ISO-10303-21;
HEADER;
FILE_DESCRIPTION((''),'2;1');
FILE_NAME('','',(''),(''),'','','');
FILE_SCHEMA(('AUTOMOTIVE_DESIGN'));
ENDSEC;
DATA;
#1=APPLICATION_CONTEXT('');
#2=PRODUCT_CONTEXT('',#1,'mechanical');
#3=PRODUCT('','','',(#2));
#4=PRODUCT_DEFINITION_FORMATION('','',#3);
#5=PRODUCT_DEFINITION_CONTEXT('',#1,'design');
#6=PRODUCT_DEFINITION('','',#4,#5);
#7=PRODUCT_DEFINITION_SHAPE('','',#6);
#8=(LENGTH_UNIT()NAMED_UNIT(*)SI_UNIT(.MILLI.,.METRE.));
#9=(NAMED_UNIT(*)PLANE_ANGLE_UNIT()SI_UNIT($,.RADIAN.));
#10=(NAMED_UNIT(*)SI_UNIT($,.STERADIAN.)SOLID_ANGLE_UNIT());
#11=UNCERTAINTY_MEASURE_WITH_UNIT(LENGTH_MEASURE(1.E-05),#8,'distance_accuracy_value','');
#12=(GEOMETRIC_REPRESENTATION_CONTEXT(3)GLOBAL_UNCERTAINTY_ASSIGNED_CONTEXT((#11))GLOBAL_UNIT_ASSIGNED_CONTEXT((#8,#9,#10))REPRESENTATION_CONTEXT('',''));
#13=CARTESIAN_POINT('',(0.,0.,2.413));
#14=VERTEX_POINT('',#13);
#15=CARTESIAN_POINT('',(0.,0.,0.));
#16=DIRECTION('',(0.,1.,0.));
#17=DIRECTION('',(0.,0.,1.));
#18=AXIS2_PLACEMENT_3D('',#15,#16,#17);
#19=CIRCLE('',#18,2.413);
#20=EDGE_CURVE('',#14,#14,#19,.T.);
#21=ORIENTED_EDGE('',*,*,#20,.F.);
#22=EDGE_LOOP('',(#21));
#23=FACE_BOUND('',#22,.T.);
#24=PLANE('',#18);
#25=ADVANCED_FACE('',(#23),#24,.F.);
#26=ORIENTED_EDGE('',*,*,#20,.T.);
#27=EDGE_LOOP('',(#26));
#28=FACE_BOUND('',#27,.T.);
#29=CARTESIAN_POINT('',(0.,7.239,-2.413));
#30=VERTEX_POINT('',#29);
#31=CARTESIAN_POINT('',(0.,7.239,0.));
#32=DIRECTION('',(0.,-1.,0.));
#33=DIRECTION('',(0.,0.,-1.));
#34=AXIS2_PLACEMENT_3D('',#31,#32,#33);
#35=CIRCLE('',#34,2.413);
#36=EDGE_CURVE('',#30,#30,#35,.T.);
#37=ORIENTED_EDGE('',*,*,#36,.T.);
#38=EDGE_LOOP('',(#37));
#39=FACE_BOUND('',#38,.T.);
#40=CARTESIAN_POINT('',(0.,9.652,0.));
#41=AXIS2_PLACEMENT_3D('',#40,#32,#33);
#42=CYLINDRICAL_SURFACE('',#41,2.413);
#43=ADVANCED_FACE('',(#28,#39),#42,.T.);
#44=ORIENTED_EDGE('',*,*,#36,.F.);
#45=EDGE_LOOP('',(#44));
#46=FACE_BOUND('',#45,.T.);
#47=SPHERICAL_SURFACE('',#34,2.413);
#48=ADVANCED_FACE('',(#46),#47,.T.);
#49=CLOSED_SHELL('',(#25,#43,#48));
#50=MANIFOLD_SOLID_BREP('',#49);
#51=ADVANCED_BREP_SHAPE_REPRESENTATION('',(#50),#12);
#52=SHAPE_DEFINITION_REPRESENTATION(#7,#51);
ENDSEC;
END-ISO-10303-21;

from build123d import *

# Parameters (mm, degrees)
SKETCH1_R      = 2.413
EXTRUDE1_DEPTH = 9.652
FILLET1_R      = 2.413


with BuildPart() as part:
    # Sketch1 → Extrude1 (new body)
    with BuildSketch(Plane(origin=(0, 0, 0), x_dir=(1, 0, 0), z_dir=(0, 1, 0))):
        with Locations(Location((0, 0, 0), (0, 0, 270))):  # turned: the seam where the file's is
            Circle(SKETCH1_R)
    extrude(amount=EXTRUDE1_DEPTH)

    # Fillet1
    fillet1_edges = [part.edges().sort_by_distance(p)[0] for p in [
        (0, 9.652, -2.413),
    ]]
    fillet(fillet1_edges, radius=FILLET1_R)


solid = part.part
